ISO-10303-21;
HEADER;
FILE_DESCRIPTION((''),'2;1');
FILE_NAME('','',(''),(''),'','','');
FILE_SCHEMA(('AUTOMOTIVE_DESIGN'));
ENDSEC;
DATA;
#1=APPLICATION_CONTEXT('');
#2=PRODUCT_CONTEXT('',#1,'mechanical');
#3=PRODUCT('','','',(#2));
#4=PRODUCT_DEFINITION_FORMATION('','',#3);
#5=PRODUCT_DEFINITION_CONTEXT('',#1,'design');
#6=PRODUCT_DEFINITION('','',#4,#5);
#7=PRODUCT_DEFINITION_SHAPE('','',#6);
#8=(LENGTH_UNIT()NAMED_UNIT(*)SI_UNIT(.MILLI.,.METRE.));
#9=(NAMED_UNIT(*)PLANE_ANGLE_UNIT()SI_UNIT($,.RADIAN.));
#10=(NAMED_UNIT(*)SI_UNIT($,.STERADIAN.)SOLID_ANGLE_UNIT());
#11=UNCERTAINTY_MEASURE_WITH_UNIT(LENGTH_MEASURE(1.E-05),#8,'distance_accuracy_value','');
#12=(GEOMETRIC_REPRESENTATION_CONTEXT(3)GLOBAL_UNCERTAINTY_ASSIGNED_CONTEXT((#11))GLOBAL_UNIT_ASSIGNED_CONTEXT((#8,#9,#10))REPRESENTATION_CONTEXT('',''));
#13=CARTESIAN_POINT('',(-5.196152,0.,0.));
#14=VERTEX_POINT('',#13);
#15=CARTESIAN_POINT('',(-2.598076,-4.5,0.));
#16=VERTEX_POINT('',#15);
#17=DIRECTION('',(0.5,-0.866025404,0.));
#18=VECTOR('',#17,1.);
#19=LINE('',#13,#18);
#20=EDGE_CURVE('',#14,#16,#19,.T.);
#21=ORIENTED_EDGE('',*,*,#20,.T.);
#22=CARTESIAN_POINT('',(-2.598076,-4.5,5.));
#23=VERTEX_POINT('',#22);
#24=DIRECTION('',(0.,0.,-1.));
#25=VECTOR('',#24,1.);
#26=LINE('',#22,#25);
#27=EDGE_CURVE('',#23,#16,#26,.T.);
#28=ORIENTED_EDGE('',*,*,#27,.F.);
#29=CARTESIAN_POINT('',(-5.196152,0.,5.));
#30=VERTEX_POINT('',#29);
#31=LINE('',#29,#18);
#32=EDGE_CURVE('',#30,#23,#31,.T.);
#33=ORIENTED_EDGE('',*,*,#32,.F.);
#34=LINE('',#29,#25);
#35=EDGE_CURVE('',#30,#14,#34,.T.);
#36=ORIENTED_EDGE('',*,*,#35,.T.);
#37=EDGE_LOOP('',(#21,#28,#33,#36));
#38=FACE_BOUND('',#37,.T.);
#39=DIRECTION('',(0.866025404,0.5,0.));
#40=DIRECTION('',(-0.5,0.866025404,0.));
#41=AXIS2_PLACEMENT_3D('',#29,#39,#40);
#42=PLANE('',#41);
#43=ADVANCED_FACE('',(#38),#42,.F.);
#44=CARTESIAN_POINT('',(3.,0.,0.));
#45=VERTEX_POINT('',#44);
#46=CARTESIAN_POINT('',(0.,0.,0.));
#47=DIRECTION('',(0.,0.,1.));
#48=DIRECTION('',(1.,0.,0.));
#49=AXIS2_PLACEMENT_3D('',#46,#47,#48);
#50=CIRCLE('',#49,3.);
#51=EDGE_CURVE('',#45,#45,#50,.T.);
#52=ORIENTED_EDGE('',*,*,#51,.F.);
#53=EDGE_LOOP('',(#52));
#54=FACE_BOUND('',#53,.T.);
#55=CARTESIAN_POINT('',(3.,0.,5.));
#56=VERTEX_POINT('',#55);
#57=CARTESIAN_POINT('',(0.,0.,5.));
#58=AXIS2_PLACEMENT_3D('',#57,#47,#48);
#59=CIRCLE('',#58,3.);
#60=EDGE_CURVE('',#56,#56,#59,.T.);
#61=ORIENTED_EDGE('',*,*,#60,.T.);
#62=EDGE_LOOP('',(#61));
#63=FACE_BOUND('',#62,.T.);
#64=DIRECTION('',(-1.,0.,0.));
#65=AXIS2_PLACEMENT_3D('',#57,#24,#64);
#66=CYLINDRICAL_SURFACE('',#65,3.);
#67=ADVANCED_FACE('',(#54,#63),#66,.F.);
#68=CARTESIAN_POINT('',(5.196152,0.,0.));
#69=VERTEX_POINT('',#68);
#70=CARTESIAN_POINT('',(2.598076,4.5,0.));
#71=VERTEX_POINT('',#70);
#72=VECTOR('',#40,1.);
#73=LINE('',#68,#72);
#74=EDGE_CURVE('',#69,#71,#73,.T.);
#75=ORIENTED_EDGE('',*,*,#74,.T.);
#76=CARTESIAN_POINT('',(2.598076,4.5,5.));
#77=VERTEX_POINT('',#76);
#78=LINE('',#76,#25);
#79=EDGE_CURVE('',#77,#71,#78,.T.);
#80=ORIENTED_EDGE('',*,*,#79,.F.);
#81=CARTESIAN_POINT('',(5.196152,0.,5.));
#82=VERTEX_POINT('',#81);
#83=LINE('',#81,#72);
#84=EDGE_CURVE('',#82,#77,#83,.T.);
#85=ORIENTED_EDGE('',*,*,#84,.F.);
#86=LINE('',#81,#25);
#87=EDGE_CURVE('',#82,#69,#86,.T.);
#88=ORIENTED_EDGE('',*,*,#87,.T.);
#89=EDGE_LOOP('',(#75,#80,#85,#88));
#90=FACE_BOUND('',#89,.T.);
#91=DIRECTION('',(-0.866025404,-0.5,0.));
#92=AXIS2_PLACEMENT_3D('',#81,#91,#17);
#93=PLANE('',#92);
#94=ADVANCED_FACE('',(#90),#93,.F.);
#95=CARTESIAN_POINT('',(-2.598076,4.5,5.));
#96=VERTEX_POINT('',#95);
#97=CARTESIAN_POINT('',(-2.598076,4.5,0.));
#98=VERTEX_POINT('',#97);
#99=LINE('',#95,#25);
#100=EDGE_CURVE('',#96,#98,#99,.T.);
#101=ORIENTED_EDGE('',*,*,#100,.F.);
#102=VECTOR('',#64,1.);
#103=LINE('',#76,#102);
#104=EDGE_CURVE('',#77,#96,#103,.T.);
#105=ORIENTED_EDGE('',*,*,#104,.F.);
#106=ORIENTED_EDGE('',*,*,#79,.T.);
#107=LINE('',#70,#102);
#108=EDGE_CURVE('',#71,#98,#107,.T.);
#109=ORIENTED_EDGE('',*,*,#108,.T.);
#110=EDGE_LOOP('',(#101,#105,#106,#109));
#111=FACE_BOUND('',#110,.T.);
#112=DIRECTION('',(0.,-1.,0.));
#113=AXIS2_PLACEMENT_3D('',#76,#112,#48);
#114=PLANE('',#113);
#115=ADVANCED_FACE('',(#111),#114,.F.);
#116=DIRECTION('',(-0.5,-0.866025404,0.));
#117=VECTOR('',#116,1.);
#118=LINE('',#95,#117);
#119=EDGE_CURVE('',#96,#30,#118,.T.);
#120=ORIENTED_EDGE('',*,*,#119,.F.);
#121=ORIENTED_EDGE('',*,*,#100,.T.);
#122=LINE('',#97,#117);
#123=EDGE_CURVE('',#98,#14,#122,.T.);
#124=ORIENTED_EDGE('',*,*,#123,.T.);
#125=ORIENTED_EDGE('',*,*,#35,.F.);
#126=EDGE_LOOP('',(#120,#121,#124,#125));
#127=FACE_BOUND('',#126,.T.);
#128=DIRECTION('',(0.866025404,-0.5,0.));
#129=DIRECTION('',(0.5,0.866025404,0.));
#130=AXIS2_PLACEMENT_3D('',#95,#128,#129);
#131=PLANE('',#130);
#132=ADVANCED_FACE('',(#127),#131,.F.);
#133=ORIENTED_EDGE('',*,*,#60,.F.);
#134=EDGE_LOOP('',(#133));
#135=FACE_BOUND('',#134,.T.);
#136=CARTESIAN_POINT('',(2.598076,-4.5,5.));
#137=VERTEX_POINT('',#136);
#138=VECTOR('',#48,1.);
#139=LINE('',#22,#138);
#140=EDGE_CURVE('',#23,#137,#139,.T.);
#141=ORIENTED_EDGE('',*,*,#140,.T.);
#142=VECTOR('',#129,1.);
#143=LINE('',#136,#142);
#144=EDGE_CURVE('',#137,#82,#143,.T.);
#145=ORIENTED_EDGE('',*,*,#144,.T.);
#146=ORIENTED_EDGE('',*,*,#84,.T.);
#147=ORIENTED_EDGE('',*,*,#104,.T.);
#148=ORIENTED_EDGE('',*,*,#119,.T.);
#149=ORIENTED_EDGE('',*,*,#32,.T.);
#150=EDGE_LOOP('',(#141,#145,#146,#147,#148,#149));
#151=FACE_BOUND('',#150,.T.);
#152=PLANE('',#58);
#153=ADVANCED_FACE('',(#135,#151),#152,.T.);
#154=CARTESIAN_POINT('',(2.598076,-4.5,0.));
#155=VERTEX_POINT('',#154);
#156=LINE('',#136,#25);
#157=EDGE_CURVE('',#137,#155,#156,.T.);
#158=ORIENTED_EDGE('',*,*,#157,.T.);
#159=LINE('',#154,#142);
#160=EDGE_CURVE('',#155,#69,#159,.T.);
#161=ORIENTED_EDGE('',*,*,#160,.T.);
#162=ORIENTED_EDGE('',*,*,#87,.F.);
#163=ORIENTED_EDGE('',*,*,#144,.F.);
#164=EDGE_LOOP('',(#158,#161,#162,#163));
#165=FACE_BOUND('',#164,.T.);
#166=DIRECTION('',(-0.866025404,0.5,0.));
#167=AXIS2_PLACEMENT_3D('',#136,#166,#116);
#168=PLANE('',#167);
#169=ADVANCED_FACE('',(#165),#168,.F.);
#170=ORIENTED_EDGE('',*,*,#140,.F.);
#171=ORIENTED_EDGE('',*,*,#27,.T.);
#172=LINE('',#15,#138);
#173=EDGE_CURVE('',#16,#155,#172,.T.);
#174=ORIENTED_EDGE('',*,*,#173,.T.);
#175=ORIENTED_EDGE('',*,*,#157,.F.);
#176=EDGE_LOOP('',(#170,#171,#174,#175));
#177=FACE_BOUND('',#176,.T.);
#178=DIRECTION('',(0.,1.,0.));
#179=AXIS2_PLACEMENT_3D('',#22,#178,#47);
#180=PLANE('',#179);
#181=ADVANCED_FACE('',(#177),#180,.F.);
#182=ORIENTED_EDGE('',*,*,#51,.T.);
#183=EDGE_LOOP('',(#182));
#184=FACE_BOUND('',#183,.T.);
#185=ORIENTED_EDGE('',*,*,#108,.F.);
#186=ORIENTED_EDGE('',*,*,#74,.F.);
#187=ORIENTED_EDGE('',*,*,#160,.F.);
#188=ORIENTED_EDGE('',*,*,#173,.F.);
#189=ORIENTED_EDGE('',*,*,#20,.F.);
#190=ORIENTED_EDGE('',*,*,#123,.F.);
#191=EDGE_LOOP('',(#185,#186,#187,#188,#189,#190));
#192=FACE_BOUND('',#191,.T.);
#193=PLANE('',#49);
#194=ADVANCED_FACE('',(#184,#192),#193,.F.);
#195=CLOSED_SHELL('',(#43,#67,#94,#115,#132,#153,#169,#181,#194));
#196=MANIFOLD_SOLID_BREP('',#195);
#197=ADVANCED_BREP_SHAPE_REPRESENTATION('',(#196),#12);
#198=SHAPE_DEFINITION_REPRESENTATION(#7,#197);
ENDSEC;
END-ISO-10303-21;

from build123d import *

# Parameters (mm, degrees)
SKETCH_1_R      = 3
EXTRUDE_1_DEPTH = 5


with BuildPart() as part:
    # 스케치1 → 보스-돌출1 (new body)
    with BuildSketch(Plane.XY):
        Polygon((2.598076211, -4.5), (5.196152423, 0), (2.598076211, 4.5), (-2.598076211, 4.5), (-5.196152423, 0), (-2.598076211, -4.5), align=None)
        Circle(SKETCH_1_R, mode=Mode.SUBTRACT)
    extrude(amount=EXTRUDE_1_DEPTH)


solid = part.part
